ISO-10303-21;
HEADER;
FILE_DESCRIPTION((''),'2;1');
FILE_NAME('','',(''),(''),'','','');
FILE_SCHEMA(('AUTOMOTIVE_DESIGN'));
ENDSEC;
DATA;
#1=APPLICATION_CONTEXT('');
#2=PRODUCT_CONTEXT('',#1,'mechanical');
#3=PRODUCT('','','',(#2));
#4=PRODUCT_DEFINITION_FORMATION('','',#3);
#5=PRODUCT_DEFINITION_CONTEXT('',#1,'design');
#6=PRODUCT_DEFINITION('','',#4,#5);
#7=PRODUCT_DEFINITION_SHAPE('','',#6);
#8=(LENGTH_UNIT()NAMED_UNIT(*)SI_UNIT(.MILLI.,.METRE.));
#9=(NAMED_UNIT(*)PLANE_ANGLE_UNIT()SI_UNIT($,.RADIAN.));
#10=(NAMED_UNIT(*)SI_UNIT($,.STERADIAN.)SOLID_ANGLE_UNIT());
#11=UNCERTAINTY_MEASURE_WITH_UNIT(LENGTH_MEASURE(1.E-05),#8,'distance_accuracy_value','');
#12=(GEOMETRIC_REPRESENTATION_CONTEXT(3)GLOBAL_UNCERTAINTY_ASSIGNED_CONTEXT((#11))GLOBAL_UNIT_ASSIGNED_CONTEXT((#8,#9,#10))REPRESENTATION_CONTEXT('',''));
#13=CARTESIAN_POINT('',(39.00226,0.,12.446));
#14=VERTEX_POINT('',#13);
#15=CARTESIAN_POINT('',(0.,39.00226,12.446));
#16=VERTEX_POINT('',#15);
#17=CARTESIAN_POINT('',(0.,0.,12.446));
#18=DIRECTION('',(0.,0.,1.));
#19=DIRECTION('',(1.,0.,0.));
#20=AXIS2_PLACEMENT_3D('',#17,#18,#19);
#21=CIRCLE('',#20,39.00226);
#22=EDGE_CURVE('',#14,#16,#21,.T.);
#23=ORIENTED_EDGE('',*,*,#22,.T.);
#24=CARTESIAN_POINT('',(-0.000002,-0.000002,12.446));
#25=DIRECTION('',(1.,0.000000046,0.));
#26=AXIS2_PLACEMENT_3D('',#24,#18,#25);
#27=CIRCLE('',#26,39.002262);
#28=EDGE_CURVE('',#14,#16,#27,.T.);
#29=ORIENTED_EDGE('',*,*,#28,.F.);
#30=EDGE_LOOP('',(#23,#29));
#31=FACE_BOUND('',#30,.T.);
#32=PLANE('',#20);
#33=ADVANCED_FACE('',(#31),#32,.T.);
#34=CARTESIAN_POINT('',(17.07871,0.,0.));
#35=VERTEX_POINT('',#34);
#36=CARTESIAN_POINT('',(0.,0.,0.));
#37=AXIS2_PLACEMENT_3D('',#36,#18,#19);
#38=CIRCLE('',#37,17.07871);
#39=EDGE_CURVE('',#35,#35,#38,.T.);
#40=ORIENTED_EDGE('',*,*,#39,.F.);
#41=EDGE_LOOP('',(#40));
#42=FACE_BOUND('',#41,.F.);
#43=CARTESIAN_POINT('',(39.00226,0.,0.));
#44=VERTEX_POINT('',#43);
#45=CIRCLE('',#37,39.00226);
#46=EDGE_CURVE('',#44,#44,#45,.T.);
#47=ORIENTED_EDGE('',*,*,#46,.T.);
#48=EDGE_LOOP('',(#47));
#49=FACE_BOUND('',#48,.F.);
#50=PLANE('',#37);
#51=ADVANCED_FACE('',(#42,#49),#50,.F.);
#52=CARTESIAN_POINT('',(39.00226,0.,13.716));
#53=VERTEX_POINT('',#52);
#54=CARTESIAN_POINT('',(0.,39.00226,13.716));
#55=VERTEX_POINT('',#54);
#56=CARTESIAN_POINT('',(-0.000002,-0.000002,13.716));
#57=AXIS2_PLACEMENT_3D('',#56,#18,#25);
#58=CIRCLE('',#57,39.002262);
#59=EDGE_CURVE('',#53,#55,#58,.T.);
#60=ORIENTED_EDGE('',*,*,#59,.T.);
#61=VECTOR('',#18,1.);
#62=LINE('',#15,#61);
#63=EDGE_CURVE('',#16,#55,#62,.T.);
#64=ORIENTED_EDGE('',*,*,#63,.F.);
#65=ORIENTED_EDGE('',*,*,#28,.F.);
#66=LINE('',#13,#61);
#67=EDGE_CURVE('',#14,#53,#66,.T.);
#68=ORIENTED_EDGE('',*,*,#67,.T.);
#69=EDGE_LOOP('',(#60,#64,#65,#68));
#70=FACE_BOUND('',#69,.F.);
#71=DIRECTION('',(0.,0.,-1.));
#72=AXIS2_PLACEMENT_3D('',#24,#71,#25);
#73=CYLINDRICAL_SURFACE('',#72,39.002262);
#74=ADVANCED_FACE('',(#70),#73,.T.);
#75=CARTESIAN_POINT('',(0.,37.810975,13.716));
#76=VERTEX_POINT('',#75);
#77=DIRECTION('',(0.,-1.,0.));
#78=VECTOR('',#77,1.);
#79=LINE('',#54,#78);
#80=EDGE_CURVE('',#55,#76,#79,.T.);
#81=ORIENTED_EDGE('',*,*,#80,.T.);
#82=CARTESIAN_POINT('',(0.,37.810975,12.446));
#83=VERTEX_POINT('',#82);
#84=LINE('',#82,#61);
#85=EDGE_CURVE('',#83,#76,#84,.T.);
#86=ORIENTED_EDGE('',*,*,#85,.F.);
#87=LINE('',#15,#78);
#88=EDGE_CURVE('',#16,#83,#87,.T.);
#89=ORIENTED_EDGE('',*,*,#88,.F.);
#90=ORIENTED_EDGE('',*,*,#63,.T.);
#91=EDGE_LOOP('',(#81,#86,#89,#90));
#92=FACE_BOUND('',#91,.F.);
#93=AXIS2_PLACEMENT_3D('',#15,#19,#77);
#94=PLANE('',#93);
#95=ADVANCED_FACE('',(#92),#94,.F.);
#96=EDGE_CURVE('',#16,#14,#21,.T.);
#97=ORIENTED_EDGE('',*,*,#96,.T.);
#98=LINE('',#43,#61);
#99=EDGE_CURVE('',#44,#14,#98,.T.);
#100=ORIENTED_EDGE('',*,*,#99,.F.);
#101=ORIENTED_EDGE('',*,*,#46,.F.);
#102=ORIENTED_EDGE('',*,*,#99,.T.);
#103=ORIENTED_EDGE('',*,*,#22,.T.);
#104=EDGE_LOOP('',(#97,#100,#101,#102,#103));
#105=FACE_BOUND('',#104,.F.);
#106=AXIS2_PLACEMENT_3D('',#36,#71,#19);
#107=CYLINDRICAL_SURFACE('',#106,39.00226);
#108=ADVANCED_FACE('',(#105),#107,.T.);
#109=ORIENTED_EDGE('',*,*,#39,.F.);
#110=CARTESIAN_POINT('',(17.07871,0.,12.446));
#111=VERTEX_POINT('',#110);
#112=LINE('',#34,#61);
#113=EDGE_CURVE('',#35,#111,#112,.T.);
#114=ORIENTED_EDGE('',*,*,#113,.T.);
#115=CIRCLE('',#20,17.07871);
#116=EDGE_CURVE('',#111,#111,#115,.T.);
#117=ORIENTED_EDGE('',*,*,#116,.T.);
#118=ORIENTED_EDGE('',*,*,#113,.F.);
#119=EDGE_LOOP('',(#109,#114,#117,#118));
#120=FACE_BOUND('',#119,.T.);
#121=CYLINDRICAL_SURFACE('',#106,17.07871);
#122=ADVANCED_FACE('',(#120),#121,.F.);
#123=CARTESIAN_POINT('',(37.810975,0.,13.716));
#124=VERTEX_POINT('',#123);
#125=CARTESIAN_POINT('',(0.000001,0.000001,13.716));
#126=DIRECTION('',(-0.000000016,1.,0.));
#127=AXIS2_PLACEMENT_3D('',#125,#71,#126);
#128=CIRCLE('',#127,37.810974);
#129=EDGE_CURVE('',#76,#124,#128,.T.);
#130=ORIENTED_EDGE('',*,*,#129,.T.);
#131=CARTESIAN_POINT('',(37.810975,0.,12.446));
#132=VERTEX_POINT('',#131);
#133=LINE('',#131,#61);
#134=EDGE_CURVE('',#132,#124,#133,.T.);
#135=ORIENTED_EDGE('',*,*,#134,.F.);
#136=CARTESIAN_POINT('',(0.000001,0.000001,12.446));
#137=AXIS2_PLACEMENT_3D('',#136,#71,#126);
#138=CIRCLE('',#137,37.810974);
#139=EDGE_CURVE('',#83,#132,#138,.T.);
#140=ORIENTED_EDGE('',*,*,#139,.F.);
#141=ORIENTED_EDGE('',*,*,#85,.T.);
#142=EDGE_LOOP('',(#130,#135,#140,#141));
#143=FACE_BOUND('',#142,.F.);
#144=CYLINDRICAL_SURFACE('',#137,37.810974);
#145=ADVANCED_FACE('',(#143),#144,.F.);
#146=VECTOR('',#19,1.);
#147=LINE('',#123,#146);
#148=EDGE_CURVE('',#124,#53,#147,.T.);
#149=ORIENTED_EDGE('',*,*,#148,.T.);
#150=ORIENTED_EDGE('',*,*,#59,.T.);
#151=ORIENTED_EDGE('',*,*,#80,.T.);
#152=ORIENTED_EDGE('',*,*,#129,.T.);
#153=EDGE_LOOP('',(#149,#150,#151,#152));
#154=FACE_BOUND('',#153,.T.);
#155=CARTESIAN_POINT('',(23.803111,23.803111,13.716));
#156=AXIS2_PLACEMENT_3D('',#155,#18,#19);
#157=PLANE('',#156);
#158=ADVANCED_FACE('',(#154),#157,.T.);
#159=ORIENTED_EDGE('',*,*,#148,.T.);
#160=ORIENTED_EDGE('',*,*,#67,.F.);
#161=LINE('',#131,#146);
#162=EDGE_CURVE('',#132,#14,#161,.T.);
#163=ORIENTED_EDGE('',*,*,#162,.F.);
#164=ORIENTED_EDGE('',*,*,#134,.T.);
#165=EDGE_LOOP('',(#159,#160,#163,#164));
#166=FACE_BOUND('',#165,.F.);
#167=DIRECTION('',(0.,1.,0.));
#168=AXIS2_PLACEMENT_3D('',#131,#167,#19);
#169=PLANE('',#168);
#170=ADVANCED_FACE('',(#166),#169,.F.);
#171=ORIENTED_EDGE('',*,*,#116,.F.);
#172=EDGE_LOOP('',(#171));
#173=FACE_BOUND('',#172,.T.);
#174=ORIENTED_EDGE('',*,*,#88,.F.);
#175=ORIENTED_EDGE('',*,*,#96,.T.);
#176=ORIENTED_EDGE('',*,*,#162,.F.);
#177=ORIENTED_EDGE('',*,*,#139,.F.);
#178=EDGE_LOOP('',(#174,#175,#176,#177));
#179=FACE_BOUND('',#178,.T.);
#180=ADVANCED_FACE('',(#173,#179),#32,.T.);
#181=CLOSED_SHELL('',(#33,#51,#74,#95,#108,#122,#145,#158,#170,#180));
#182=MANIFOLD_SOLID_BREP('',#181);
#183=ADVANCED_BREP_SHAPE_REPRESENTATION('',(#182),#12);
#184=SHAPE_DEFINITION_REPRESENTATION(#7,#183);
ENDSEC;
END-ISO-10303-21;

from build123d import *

# Parameters (mm, degrees)
F0_R     = 39.00226
F0_R_2   = 17.07871
F1_DEPTH = 12.446
F4_DEPTH = 1.27


with BuildPart() as f1:
    # F0 (on Top) → F1 (new body)
    with BuildSketch(Plane.XY):
        Circle(F0_R)
        Circle(F0_R_2, mode=Mode.SUBTRACT)
    extrude(amount=F1_DEPTH)

    # F3 (on face) → F4 (join)
    with BuildSketch(Plane.XY.offset(12.446)):
        with BuildLine():
            ThreePointArc((0, 37.810975), (26.736397, 26.736397), (37.810975, 0))
            Line((37.810975, 0), (39.00226, 0))
            ThreePointArc((39.00226, 0), (27.578762, 27.578762), (0, 39.00226))
            Line((0, 39.00226), (0, 37.810975))
        make_face()
    extrude(amount=F4_DEPTH)


solid = f1.part
